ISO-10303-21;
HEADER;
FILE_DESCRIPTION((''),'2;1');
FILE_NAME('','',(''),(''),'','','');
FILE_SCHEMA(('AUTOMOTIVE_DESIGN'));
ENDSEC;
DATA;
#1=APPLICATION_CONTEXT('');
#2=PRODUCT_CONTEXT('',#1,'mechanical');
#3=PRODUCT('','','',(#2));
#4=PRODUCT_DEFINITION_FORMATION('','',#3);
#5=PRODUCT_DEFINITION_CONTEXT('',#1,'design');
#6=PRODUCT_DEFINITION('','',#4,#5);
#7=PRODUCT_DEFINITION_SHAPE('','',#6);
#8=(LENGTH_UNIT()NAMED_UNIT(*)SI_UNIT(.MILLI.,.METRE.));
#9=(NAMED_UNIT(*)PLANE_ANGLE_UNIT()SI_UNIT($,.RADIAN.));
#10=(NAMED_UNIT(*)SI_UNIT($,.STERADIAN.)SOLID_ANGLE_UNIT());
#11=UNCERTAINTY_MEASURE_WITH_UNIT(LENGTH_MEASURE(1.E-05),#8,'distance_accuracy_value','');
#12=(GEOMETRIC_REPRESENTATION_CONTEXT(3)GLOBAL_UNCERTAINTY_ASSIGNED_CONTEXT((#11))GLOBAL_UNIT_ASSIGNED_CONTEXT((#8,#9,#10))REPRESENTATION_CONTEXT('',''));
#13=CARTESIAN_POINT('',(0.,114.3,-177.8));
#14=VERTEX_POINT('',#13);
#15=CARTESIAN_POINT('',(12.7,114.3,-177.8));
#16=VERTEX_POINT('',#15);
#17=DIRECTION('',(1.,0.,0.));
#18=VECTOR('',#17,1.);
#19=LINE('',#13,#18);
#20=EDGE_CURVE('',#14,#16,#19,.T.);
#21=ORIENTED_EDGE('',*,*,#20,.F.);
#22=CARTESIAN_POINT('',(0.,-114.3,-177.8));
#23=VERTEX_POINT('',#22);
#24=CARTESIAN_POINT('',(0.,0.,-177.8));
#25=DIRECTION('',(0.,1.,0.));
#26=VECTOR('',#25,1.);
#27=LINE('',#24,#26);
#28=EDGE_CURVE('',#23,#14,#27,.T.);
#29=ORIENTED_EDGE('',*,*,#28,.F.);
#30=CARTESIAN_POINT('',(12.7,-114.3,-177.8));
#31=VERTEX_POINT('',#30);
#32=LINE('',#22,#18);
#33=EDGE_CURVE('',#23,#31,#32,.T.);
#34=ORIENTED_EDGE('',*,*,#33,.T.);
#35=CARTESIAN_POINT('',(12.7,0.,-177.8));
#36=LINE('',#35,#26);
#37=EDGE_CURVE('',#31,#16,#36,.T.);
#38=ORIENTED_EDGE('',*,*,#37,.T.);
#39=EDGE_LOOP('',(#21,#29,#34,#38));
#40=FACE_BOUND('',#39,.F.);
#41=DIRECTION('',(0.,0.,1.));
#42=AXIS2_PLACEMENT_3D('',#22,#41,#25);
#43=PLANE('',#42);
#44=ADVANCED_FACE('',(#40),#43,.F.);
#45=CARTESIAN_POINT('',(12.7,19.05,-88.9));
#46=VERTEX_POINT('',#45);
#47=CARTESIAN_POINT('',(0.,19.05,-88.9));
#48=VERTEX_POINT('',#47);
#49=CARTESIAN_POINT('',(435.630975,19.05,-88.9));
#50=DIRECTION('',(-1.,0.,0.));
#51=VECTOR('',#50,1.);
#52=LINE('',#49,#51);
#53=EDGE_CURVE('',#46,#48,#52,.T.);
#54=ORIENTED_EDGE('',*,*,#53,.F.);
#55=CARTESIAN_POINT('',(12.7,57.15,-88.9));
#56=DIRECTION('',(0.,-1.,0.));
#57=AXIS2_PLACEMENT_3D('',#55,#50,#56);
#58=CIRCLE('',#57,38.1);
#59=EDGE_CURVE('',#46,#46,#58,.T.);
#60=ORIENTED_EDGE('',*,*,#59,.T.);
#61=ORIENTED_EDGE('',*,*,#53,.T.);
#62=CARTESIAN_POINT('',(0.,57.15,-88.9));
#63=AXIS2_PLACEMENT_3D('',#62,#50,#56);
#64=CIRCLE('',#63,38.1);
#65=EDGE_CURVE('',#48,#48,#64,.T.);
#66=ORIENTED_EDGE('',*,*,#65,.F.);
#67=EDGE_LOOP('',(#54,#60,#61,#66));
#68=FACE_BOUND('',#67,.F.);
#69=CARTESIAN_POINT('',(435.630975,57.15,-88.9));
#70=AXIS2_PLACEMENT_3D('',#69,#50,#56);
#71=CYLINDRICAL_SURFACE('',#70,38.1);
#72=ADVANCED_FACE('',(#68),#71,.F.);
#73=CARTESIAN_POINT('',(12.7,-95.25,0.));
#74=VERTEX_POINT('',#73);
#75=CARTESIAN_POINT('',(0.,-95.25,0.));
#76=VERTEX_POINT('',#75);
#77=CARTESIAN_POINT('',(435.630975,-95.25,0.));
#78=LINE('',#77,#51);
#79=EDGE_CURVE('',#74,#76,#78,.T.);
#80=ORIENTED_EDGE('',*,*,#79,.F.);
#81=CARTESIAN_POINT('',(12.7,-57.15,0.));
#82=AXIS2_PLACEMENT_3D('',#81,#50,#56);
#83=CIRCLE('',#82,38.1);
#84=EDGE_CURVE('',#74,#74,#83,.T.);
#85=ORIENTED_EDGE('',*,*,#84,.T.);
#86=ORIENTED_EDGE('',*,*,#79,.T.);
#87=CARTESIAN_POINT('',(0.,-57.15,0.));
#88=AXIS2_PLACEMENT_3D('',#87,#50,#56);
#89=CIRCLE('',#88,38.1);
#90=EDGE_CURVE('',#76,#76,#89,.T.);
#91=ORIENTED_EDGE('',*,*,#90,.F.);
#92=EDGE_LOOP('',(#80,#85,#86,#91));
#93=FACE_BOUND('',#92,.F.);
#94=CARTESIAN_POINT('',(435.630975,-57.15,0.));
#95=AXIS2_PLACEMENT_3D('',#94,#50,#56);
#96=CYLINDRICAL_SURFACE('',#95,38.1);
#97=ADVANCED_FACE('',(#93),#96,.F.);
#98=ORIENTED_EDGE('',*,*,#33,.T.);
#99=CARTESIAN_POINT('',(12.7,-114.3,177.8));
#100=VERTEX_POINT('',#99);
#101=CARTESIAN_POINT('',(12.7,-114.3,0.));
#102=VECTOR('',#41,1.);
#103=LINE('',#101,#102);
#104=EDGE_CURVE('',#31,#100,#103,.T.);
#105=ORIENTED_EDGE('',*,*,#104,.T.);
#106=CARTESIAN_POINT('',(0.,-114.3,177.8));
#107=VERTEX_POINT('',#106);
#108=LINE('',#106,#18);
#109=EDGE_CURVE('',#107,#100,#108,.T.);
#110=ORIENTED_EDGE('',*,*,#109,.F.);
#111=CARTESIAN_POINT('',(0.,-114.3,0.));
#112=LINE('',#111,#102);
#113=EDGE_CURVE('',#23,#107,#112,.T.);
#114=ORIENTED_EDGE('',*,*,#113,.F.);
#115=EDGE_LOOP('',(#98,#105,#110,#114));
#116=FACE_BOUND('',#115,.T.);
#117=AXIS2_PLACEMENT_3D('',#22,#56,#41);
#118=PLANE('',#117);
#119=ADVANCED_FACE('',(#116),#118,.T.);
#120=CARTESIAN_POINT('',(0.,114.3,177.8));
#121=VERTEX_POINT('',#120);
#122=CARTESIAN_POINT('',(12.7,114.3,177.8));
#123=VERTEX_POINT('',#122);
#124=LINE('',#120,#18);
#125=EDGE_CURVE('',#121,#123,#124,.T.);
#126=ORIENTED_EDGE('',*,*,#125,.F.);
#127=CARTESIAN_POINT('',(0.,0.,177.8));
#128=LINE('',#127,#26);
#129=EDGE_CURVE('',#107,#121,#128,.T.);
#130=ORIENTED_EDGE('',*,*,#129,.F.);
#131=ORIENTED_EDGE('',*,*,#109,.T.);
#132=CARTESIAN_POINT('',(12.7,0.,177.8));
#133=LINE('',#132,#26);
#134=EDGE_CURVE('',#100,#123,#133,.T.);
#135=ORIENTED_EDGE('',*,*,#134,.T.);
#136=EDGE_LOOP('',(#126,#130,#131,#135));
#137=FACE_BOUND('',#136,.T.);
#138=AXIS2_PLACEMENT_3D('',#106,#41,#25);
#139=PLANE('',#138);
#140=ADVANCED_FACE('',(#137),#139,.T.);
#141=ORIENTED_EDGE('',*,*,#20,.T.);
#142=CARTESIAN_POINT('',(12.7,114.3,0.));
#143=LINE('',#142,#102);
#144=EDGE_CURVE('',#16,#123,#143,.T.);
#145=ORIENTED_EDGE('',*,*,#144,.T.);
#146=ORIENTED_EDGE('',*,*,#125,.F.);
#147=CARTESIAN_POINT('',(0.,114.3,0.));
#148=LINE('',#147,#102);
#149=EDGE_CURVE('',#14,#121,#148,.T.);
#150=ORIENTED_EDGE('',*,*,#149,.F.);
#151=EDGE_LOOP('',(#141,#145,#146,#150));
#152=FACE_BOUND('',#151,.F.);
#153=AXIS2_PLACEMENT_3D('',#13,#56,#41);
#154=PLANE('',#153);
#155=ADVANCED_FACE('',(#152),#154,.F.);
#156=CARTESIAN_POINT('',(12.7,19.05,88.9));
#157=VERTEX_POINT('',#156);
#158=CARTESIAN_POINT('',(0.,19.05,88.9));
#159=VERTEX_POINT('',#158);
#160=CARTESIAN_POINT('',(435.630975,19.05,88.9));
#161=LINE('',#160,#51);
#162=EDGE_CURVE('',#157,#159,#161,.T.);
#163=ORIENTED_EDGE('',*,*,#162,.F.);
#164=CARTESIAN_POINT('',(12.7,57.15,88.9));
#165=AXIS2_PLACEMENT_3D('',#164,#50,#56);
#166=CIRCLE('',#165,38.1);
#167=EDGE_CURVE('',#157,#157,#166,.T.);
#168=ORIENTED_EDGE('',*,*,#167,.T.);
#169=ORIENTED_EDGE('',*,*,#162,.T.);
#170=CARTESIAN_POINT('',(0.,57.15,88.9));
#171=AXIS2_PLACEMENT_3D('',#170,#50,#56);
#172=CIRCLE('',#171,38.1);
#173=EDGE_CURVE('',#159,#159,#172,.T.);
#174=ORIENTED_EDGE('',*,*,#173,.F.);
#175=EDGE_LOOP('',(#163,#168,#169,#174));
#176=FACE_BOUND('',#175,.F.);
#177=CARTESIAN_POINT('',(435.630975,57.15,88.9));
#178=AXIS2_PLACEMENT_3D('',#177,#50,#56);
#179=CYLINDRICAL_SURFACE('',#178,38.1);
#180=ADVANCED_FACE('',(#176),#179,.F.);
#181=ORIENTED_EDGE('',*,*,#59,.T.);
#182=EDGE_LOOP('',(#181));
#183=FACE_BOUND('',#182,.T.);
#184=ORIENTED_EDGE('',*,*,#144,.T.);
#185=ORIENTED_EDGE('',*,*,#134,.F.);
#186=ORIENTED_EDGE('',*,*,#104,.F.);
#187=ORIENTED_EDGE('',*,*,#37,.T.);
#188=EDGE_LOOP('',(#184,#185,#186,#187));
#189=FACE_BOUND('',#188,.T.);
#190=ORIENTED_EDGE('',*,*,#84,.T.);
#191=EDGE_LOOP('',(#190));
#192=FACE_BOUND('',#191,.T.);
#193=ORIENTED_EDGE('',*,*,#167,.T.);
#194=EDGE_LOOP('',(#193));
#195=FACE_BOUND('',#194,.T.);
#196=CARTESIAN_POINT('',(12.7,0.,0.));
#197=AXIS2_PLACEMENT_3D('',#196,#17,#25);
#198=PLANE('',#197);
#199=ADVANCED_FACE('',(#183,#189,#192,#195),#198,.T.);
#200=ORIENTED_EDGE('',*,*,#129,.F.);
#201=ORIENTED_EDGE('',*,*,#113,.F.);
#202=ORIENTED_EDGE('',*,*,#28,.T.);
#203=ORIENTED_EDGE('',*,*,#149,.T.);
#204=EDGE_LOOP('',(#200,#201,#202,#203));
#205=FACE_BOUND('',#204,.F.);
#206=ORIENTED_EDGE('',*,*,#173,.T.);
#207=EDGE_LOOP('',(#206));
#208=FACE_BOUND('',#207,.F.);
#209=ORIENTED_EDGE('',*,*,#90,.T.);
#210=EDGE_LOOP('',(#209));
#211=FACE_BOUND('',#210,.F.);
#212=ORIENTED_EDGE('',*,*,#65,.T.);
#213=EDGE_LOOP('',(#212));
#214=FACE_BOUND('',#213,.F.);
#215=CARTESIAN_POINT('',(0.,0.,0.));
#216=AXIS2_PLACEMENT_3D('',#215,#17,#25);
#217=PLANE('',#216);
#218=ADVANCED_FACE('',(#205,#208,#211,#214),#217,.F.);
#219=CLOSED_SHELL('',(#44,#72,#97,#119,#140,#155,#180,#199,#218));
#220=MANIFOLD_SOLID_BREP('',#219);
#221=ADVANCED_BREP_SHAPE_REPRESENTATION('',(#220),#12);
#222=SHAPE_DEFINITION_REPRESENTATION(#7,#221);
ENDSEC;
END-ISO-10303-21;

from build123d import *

# Parameters (mm, degrees)
F0_W     = 228.6
F0_H     = 355.6
F1_DEPTH = 12.7
F3_D     = 76.2


with BuildPart() as f1:
    # F0 (on Right) → F1 (new body)
    with BuildSketch(Plane.YZ):
        Rectangle(F0_W, F0_H)
    extrude(amount=F1_DEPTH)

    # F3 (through all)
    with Locations(Plane.YZ.offset(12.7)):
        with Locations((57.15, -88.9), (-57.15, 0), (57.15, 88.9)):
            Hole(F3_D / 2)


solid = f1.part
